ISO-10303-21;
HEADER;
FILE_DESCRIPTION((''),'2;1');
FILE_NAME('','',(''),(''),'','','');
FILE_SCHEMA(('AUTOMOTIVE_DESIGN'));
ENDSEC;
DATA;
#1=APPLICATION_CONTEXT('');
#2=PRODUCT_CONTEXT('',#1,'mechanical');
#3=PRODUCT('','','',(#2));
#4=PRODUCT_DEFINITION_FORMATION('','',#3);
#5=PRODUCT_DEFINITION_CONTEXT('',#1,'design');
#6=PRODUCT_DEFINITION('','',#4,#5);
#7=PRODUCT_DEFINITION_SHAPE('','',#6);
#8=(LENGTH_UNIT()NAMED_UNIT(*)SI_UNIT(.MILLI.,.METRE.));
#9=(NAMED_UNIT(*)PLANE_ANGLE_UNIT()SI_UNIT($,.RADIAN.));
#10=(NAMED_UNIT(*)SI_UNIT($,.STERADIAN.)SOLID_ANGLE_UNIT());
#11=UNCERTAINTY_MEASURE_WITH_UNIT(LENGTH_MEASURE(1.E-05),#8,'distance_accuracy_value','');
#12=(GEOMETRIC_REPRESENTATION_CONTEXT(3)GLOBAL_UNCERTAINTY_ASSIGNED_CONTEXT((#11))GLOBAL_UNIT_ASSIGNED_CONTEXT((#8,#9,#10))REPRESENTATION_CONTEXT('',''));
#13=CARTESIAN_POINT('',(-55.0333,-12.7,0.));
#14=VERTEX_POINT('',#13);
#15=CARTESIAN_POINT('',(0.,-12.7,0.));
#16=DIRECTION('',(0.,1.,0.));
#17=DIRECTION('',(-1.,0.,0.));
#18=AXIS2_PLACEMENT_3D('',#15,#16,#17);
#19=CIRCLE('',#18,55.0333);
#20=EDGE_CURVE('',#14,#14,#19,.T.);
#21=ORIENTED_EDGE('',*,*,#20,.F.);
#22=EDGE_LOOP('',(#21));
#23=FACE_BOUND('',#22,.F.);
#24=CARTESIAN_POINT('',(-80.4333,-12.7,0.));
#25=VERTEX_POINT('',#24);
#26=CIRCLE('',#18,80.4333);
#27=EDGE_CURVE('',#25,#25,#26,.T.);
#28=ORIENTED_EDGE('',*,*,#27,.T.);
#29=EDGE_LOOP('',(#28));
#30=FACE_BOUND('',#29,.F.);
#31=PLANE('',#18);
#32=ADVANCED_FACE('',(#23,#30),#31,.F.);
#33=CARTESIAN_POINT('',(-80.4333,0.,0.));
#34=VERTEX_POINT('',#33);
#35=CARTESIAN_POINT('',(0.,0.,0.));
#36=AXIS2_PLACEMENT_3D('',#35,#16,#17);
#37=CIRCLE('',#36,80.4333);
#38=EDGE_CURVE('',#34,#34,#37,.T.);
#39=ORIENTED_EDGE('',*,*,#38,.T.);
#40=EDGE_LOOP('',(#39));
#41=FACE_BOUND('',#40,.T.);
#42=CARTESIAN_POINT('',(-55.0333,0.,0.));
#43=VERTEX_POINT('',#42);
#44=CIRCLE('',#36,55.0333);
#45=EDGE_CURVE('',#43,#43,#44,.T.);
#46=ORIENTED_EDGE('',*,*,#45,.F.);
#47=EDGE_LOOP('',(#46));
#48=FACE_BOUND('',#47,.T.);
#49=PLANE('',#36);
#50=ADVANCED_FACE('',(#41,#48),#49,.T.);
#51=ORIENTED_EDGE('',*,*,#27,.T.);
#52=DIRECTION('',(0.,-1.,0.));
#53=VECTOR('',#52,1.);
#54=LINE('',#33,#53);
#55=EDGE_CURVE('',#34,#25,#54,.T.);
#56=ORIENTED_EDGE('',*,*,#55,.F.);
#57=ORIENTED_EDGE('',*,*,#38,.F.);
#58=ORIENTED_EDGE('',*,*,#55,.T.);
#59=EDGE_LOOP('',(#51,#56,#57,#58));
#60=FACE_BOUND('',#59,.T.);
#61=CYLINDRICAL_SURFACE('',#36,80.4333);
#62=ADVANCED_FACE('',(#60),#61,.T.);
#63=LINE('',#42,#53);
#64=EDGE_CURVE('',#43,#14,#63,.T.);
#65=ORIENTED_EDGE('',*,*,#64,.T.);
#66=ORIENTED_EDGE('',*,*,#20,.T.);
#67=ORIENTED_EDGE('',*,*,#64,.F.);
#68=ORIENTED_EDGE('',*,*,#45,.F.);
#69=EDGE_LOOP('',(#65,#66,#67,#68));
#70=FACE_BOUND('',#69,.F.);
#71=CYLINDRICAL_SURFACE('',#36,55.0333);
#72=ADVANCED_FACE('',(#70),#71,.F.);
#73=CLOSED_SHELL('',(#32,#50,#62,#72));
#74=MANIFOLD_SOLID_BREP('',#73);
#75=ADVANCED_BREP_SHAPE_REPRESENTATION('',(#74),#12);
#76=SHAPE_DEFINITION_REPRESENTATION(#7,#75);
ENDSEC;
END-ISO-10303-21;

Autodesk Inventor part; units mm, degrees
ref_plane "YZ Plane" through (0, 0, 0) normal (1, 0, 0) x (0, 1, 0)
ref_plane "XZ Plane" through (0, 0, 0) normal (0, 1, 0) x (-1, 0, 0)
ref_plane "XY Plane" through (0, 0, 0) normal (0, 0, 1) x (1, 0, 0)
sketch "Sketch1" plane through (0, 0, 0) normal (0, 1, 0) x (-1, 0, 0)
  circle A0 centre (0, 0) radius 55.0333
  circle A1 centre (0, 0) radius 80.4333
  dimension "d0" = 110.0667
  dimension "d1" = 160.8667
extrude "Extrusion1" add sketch "Sketch1" against normal blind 12.7
sketch "Sketch2" plane through (0, 0, 0) normal (0, 1, 0) x (1, 0, 0)
  point P0 (0, 0)
  point P1 (69.6156, 25.338)
  point P2 (37.0417, 64.158)
  point P3 (-56.7511, 47.6198)
  point P4 (-56.7511, 47.6198)
  point P5 (-74.0833, 0)
  point P6 (-12.8644, -72.9578)
  point P7 (37.0417, -64.158)
sketch "Sketch4" plane through (0, 0, 0) normal (0, 0, 1) x (1, 0, 0)
  line L0 (70.9083, -9.525) -> (77.2583, -9.525)
  line L1 (77.2583, -9.525) -> (77.2583, 9.525)
  line L2 (77.2583, 9.525) -> (70.9083, 9.525)
  line L3 (70.9083, 9.525) -> (70.9083, -9.525)
  line L4 (-80.4333, 0) -> (80.4333, 0) projected
  line L5 (70.9083, -9.525) -> (77.2583, 9.525) construction
  line L6 (77.2583, -9.525) -> (70.9083, 9.525) construction
  point P0 (0, 0)
  point P1 (74.0833, 0)
  dimension "d19" = 74.0833
  dimension "d20" = 9.525
  dimension "d21" = 6.35
equation "\"d0\" = ringInnerDiam"
equation "\"d1\" = ringOuterDiam"
equation "\"d2\" = ringThickness"
equation "\"ringOuterDiam\" = ringInnerDiam + 2 * ringWidth"
equation "\"ringInnerDiam\" = 110.06667"
equation "\"ringWidth\" = 25.4"
equation "\"ringInnerRadius\" = 0.5 * ringInnerDiam"
equation "\"ringOuterRadius\" = 0.5 * ringOuterDiam"
equation "\"ringThickness\" = 12.7"
equation "\"camOuterRadius\" = -0.5 * camTrackWidth + ringOuterRadius - camTrackSpacing"
equation "\"camTrackWidth\" = 6.35"
equation "\"camTrackSpacing\" = 3.175"
equation "\"camInnerRadius\" = 0.5 * camTrackWidth + ringInnerRadius + camTrackSpacing"
equation "\"camRun\" = camOuterRadius - camInnerRadius"
equation "\"angleScaleFactor\" = 4.5"
equation "\"angle280Delta\" = 1170"
equation "\"camTrackDepth\" = 9.525"
properties part number "vexCamRing9"
